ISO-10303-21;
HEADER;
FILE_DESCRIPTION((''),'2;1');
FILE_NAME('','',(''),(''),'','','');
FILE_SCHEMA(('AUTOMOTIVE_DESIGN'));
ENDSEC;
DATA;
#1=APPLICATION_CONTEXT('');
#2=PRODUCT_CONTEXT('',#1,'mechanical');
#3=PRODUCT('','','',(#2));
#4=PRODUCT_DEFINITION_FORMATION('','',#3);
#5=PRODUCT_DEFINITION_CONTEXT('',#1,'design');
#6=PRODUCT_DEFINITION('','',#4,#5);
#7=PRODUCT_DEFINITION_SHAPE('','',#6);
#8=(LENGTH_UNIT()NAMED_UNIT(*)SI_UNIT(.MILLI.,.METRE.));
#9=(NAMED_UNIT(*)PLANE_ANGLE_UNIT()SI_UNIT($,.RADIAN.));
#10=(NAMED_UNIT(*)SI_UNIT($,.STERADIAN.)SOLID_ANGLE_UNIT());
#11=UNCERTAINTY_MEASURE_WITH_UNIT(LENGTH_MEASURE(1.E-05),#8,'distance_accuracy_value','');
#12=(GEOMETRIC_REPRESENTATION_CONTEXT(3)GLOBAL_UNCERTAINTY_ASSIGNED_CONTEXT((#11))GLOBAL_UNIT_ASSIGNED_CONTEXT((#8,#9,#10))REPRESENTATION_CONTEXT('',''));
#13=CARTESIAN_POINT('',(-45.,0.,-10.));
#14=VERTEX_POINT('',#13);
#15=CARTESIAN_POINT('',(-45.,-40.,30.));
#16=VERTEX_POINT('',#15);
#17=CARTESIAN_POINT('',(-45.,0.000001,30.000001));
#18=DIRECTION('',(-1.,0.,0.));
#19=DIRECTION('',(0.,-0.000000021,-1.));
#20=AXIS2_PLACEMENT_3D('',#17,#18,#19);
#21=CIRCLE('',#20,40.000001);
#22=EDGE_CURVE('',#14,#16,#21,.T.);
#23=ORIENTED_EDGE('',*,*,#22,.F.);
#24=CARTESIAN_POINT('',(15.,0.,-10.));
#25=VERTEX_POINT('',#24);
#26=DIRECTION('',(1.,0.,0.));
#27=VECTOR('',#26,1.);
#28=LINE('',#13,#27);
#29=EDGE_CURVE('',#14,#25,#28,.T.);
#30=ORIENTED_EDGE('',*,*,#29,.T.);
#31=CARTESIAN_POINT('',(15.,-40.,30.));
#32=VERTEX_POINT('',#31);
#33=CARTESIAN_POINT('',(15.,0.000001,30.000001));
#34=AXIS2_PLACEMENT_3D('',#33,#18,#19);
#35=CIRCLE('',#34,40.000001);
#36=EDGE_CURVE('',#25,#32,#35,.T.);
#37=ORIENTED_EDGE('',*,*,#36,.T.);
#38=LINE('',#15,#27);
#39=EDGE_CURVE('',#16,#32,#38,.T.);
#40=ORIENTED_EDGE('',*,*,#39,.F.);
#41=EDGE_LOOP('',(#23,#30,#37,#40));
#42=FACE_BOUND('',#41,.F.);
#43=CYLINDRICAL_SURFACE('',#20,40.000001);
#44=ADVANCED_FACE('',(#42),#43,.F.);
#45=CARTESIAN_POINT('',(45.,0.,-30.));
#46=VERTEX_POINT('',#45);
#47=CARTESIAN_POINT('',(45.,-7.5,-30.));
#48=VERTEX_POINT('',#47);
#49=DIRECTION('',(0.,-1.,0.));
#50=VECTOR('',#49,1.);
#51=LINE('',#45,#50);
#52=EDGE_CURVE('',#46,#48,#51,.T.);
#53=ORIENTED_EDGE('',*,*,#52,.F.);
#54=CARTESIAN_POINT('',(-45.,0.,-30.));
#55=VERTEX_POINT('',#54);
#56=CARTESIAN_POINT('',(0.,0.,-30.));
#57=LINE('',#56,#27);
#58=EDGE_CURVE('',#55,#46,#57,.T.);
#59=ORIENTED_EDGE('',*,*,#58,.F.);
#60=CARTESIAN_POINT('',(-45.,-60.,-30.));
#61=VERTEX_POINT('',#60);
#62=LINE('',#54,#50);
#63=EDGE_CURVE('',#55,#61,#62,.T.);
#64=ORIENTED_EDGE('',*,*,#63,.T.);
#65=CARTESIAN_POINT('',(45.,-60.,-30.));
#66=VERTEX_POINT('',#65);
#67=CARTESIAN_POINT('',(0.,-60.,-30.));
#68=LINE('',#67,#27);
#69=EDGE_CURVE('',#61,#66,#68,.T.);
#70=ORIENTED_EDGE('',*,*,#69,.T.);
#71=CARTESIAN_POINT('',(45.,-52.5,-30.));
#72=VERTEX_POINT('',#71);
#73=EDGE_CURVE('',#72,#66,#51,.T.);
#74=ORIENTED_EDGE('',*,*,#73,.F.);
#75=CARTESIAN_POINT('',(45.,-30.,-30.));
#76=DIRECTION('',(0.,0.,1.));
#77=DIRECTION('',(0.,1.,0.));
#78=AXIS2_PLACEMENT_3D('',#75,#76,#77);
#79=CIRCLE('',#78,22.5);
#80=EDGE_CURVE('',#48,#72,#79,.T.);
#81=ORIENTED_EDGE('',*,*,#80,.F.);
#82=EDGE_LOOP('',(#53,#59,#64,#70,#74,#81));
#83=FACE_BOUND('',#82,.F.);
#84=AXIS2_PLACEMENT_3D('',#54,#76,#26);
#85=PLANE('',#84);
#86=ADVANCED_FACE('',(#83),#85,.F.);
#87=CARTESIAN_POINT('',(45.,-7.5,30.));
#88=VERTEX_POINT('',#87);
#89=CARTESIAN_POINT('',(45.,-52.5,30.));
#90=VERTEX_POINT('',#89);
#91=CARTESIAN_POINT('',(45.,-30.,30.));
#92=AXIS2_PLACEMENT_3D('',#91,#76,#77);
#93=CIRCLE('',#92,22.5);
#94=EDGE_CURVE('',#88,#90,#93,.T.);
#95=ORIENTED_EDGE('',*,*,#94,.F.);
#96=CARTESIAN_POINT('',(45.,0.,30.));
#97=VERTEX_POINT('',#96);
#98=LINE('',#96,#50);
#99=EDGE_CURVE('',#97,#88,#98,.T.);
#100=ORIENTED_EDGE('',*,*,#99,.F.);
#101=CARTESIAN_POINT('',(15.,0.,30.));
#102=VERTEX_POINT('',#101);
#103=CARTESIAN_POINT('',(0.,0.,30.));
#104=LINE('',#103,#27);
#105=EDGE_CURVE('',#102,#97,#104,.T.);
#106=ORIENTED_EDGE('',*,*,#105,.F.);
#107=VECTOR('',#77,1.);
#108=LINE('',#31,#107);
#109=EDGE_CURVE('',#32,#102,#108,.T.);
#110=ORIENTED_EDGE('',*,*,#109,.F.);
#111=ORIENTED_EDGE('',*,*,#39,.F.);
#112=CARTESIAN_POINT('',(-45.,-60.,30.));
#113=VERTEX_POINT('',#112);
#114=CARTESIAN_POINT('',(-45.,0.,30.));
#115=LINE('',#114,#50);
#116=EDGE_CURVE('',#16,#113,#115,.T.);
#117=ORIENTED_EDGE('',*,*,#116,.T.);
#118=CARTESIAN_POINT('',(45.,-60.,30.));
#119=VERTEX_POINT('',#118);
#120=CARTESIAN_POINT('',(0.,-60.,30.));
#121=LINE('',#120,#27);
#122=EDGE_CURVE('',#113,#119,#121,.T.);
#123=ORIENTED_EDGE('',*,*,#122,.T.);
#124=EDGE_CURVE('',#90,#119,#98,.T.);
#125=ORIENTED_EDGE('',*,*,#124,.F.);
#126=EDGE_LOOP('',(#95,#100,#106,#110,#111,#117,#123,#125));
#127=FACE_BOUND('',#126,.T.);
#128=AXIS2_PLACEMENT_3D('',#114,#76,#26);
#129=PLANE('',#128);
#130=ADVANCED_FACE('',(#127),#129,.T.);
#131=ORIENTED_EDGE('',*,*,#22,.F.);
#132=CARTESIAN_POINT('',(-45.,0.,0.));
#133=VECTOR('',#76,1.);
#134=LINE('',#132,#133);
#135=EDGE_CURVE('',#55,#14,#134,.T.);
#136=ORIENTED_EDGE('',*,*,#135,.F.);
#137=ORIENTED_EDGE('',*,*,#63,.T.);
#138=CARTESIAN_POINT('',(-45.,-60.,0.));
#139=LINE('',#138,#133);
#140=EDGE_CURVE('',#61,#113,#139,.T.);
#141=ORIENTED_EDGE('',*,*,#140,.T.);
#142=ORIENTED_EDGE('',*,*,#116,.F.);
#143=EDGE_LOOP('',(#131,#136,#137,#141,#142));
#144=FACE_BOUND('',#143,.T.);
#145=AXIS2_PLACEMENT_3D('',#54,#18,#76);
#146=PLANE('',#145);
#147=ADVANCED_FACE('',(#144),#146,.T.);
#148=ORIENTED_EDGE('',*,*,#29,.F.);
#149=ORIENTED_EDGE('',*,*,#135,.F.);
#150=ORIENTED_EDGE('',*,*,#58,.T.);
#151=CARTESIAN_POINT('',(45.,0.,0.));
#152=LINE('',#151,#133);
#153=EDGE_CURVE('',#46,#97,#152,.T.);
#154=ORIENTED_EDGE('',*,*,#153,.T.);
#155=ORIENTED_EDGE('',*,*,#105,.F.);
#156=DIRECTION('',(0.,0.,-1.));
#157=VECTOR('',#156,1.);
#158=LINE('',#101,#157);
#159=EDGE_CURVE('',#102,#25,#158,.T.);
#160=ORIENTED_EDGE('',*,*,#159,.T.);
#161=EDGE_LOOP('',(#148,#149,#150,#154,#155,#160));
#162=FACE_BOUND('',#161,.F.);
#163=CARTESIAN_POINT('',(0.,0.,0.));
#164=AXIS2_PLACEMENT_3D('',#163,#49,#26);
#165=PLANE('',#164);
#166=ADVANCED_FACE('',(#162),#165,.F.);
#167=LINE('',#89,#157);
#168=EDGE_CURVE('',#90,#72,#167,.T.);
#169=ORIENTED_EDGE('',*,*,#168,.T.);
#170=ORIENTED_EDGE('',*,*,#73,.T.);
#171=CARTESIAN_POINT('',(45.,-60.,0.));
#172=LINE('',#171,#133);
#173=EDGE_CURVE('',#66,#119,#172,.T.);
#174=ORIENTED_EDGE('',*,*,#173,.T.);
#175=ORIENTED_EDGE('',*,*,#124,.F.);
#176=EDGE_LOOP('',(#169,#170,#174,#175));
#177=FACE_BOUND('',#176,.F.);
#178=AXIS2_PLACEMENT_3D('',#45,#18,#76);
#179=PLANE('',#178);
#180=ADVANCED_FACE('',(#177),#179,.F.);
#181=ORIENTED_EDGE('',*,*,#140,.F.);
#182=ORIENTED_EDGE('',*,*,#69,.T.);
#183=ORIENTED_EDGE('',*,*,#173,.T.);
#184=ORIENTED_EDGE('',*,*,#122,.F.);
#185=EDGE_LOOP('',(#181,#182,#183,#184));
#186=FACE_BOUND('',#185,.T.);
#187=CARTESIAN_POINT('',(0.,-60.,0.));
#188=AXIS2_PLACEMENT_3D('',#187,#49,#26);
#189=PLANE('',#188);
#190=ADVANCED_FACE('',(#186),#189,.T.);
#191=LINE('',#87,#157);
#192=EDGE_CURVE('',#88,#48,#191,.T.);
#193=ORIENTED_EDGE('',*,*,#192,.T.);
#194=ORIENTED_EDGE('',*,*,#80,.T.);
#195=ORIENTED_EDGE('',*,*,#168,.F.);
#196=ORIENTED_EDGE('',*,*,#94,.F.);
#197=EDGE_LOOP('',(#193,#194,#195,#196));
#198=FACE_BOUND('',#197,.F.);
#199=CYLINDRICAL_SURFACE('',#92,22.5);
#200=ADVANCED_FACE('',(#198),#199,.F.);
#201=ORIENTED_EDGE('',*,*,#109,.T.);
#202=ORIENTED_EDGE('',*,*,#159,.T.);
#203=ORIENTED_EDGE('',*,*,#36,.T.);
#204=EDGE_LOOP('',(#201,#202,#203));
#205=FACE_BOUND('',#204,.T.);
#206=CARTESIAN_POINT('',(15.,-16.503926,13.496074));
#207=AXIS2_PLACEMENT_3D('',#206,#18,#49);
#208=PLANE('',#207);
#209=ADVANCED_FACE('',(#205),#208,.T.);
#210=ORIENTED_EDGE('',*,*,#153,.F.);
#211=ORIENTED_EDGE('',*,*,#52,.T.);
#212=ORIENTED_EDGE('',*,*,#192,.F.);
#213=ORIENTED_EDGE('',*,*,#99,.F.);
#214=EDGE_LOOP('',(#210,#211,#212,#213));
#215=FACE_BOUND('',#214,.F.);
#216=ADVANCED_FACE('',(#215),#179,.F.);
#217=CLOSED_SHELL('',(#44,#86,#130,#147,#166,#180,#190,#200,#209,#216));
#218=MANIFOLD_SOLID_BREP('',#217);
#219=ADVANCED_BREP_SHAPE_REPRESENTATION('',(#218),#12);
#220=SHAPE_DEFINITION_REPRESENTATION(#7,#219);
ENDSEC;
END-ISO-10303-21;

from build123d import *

# Parameters (mm, degrees)
F0_W     = 90
F0_H     = 60
F1_DEPTH = 60
F3_DEPTH = 60.001
F5_DEPTH = 60


with BuildPart() as f1:
    # F0 (on Front) → F1 (new body)
    with BuildSketch(Plane.XZ):
        Rectangle(F0_W, F0_H)
    extrude(amount=F1_DEPTH)

    # F2 (on face) → F3 (cut, through all)
    with BuildSketch(Plane.XY.offset(30)):
        with BuildLine():
            Line((45, -52.5), (45, -7.5))
            ThreePointArc((45, -7.5), (22.5, -30), (45, -52.5))
        make_face()
    extrude(amount=-F3_DEPTH, mode=Mode.SUBTRACT)

    # F4 (on face) → F5 (cut)
    with BuildSketch(Plane(origin=(-45, 0, 0), x_dir=(0, -1, 0), z_dir=(-1, 0, 0))):
        with BuildLine():
            Line((0, 30), (0, -10))
            ThreePointArc((0, -10), (28.284271, 1.715729), (40, 30))
            Line((40, 30), (0, 30))
        make_face()
    extrude(amount=-F5_DEPTH, mode=Mode.SUBTRACT)


solid = f1.part
